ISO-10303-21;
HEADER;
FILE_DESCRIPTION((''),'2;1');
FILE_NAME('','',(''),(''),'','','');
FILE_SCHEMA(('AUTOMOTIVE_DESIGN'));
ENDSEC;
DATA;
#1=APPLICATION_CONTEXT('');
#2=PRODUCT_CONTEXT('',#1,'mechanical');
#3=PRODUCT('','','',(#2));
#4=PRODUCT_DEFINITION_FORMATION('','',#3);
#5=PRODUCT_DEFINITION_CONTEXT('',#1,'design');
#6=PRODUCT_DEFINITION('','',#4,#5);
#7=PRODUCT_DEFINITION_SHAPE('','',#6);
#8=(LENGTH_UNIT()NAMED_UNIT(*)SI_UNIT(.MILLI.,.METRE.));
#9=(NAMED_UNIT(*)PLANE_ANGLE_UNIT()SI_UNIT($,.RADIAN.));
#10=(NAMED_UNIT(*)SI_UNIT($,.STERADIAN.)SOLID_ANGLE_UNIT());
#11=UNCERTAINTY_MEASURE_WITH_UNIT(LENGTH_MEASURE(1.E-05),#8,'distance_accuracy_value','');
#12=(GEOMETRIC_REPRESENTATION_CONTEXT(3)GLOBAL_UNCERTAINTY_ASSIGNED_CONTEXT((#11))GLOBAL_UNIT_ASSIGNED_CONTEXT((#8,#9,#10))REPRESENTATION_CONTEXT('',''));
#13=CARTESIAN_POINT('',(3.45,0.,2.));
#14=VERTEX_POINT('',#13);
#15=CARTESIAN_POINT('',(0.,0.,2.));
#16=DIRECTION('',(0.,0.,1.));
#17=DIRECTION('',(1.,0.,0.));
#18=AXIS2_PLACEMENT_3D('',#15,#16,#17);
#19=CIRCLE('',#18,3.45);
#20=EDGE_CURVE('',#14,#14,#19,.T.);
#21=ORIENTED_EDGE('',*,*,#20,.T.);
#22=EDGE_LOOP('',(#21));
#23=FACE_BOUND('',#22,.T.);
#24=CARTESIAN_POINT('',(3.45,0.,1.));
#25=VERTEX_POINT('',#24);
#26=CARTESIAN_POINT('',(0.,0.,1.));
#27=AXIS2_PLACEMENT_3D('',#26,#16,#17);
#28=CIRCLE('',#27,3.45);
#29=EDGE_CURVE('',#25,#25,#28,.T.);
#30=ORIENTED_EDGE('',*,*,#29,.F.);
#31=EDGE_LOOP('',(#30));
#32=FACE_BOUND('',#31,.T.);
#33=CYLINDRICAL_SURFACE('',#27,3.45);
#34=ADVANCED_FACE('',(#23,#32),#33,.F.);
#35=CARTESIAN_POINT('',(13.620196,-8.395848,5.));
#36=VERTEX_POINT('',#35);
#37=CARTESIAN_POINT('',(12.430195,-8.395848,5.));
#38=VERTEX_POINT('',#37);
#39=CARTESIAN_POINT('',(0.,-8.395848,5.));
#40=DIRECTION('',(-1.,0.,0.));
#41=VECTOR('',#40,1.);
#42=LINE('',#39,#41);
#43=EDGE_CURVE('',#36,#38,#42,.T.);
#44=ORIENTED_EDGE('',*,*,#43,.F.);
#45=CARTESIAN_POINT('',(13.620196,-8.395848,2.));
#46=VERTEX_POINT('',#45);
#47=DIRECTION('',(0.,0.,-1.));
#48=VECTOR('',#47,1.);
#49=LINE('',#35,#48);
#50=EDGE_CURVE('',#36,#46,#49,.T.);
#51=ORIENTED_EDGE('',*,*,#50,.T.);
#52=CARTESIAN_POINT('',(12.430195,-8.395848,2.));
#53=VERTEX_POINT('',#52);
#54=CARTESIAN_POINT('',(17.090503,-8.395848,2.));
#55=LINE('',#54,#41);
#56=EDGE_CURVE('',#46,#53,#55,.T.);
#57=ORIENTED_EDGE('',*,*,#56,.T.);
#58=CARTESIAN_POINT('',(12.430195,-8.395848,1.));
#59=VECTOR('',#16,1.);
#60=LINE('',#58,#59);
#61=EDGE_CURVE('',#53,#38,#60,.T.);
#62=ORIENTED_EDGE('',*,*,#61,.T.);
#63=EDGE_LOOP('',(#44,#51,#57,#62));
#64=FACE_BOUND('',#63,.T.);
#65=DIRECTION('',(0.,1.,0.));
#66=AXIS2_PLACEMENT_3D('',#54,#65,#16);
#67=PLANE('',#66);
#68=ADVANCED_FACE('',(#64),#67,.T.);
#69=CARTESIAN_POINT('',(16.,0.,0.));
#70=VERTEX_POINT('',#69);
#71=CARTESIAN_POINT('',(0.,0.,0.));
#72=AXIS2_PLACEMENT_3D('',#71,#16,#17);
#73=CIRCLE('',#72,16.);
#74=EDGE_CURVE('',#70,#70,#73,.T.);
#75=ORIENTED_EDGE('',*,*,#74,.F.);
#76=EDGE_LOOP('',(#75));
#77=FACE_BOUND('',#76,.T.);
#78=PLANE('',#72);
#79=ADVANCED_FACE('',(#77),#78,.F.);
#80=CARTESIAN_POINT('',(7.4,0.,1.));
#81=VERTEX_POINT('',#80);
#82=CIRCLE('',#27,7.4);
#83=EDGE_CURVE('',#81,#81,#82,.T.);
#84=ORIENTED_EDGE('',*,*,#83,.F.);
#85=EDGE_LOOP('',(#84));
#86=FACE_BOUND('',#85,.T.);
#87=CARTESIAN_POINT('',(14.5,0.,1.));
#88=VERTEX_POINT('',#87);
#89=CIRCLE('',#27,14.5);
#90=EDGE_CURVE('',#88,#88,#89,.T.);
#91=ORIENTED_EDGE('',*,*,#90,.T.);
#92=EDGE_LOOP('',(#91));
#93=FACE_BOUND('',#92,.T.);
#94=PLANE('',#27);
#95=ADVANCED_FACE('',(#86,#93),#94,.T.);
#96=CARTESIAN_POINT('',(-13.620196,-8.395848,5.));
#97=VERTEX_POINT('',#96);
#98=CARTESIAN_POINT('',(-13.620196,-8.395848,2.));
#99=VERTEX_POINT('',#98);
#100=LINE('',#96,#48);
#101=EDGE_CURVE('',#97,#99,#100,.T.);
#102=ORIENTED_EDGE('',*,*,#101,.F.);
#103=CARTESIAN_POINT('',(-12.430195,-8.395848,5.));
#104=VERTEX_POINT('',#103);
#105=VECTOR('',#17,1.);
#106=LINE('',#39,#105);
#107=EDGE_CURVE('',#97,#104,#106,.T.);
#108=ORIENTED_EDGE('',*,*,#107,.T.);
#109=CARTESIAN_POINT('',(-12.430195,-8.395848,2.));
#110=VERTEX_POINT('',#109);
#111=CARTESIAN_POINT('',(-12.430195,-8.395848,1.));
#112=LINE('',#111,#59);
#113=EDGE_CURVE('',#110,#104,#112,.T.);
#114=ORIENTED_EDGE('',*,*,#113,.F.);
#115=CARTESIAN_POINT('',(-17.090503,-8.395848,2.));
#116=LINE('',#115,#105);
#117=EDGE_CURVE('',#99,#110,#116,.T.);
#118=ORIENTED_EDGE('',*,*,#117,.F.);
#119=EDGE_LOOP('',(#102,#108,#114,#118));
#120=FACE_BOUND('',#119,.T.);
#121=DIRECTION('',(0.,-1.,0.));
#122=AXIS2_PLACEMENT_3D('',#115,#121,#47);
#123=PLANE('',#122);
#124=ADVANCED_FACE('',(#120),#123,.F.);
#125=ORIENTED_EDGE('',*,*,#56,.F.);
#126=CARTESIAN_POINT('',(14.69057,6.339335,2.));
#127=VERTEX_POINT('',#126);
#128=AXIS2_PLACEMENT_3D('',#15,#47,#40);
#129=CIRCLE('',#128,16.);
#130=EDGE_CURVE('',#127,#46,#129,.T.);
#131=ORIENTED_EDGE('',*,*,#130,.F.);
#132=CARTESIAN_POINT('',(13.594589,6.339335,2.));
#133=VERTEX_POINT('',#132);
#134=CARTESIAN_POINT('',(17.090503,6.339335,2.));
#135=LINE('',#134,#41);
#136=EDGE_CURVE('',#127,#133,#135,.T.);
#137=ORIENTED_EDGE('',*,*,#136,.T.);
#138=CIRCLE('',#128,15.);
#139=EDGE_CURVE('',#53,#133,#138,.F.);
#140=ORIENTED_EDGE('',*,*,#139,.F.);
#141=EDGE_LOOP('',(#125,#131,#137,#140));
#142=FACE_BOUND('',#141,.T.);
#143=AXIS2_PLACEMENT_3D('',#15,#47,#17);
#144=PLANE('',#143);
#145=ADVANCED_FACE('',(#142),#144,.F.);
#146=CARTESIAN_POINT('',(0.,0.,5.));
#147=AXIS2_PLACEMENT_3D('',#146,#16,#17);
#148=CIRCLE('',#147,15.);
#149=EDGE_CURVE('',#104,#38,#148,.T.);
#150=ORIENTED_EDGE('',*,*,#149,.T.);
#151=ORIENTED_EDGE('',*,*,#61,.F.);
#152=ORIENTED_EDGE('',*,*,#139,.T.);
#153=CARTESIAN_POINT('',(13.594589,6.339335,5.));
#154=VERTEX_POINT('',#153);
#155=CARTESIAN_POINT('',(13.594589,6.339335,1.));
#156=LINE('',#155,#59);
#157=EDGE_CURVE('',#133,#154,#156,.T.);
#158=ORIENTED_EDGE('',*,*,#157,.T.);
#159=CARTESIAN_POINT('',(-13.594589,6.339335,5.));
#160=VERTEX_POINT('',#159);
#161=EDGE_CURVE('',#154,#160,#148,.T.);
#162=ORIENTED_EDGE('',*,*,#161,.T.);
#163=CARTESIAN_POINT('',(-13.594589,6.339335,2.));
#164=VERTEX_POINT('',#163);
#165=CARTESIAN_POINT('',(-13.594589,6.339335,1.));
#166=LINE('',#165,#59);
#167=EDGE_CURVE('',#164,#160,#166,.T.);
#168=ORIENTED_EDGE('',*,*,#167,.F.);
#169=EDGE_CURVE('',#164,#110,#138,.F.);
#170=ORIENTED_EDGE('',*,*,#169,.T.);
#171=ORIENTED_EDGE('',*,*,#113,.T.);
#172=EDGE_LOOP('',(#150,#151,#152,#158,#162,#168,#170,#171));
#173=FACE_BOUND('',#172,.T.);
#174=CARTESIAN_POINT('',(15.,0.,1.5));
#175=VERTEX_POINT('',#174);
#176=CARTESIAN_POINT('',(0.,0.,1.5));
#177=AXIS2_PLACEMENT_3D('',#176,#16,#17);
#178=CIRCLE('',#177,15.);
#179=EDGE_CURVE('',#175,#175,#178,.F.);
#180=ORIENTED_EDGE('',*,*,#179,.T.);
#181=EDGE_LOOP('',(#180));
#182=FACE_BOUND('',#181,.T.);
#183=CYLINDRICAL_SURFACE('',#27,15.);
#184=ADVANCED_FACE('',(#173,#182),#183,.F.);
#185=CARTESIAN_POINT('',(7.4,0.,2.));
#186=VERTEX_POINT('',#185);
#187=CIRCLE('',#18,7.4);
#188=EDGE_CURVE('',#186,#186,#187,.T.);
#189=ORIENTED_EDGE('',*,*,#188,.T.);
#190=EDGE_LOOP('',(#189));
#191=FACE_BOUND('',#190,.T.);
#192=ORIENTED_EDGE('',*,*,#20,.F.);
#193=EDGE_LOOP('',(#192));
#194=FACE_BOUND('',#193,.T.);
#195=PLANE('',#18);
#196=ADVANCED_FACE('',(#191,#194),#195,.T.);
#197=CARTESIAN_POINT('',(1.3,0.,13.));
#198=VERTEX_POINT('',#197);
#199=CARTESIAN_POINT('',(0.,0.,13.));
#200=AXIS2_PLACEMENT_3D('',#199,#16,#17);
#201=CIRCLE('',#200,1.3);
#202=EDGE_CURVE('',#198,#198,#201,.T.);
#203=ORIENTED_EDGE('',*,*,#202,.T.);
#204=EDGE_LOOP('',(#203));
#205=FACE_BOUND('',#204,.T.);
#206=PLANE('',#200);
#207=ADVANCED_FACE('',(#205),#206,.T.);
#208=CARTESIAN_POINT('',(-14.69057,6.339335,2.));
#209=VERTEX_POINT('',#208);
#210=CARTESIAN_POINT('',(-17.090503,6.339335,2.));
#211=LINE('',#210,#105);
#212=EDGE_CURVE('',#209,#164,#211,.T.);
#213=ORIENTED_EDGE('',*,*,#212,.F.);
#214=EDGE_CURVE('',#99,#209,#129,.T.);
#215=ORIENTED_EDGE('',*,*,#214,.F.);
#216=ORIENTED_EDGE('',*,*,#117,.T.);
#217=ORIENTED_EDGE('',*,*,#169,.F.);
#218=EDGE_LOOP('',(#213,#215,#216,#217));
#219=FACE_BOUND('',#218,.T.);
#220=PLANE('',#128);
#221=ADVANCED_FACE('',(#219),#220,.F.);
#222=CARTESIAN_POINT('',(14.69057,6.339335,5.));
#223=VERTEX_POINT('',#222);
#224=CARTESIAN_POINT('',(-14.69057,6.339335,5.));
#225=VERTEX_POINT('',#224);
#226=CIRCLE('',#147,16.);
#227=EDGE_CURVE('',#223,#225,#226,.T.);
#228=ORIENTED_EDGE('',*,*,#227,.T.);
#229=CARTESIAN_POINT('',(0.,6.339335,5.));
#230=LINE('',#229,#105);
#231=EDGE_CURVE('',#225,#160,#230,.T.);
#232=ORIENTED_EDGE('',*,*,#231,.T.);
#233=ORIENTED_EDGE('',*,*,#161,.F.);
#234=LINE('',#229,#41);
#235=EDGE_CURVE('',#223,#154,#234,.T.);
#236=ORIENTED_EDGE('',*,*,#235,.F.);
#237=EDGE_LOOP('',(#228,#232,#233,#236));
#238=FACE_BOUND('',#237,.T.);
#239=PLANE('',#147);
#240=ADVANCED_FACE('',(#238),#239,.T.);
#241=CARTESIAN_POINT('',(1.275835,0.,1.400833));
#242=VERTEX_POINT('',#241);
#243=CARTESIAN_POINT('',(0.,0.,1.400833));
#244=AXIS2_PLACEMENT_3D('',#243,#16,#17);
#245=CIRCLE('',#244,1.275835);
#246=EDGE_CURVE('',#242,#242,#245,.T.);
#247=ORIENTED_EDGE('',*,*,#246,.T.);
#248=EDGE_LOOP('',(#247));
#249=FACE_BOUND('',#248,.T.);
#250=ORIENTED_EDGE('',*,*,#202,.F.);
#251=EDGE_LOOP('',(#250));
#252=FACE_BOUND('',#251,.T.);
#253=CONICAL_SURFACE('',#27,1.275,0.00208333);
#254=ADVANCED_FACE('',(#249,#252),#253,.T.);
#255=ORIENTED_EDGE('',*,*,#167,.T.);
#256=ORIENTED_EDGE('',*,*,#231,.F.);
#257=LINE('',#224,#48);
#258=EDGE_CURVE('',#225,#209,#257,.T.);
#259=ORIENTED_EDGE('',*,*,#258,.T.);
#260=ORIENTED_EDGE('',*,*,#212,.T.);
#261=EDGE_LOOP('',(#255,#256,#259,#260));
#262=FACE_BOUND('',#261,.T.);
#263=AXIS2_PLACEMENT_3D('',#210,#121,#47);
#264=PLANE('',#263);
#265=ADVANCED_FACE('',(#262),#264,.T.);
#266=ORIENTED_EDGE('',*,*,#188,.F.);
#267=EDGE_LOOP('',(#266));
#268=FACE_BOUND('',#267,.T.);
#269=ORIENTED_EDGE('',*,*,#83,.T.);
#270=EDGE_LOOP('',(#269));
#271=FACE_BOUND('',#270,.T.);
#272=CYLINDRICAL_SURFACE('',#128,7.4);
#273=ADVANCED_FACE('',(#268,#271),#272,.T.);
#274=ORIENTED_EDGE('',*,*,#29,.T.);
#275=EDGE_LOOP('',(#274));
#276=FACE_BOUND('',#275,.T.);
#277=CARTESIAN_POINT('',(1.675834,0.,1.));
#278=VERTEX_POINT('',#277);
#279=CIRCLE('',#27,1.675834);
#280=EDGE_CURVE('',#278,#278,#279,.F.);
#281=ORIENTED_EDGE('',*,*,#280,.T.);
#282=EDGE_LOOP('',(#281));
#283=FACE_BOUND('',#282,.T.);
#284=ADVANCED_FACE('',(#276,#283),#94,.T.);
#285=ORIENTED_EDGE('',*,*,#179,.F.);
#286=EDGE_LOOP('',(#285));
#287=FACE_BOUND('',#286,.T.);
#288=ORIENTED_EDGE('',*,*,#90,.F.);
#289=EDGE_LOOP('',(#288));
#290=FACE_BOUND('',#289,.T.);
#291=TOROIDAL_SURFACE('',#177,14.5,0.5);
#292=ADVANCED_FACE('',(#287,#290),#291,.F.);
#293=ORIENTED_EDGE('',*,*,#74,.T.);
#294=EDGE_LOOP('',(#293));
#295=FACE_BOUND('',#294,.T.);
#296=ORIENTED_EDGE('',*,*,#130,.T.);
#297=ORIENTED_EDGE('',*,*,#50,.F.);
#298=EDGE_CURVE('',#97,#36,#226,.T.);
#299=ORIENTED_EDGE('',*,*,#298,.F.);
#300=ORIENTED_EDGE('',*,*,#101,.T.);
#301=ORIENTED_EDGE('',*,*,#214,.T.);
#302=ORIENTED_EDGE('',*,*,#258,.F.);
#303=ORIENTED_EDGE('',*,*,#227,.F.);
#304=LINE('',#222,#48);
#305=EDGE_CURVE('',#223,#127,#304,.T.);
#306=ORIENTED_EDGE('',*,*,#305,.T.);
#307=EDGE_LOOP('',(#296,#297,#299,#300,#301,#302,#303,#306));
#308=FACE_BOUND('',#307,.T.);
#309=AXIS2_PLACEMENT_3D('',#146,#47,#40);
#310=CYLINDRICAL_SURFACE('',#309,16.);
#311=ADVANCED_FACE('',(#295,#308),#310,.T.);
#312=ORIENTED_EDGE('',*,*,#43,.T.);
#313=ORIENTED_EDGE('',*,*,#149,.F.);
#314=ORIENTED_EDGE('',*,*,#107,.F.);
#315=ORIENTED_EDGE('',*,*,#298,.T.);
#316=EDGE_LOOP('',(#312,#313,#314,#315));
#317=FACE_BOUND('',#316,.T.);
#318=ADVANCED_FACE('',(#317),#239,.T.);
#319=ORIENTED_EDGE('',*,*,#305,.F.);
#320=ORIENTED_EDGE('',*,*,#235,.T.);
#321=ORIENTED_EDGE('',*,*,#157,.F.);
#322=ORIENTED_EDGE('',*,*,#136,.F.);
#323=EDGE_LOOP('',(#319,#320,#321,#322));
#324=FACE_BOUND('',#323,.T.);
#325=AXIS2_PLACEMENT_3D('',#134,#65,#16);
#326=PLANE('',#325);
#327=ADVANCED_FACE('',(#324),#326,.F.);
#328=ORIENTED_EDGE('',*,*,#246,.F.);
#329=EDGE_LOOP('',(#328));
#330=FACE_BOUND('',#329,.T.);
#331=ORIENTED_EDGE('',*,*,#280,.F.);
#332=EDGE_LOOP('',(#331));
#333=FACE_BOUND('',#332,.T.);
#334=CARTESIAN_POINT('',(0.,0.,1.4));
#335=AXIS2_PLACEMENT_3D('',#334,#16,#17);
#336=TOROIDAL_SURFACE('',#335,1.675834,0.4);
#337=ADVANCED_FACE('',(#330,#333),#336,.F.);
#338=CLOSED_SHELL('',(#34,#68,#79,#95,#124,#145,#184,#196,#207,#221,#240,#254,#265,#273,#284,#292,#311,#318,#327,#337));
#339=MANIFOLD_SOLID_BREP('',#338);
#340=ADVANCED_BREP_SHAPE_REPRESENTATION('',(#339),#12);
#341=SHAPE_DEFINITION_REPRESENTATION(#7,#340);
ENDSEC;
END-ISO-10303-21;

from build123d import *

# Parameters (mm, degrees)
SKETCH1_R           = 16
BOSS_EXTRUDE1_DEPTH = 5
SKETCH3_R           = 15
CUT_EXTRUDE1_DEPTH  = 4
FILLET1_R           = 0.5
SKETCH7_W           = 5.268501054
SKETCH7_H           = 14.735182388
CUT_EXTRUDE2_DEPTH  = 11
SKETCH8_R           = 7.4
BOSS_EXTRUDE2_DEPTH = 1
SKETCH9_R           = 3.45
CUT_EXTRUDE3_DEPTH  = 1
SKETCH5_R           = 1.275
SKETCH6_R           = 1.3
FILLET3_R           = 0.4


with BuildPart() as part:
    # Sketch1 → Boss-Extrude1 (new body)
    with BuildSketch(Plane.XY):
        Circle(SKETCH1_R)
    extrude(amount=BOSS_EXTRUDE1_DEPTH)

    # Sketch3 → Cut-Extrude1 (cut)
    with BuildSketch(Plane.XY.offset(5)):
        Circle(SKETCH3_R)
    extrude(amount=-CUT_EXTRUDE1_DEPTH, mode=Mode.SUBTRACT)

    # Fillet1
    fillet1_edges = [part.edges().sort_by_distance(p)[0] for p in [
        (-15, 0, 1),
    ]]
    fillet(fillet1_edges, radius=FILLET1_R)

    # Sketch7 → Cut-Extrude2 (cut)
    with BuildSketch(Plane.XY.offset(13)):
        with Locations((-14.456252894, -1.028256592)):
            Rectangle(SKETCH7_W, SKETCH7_H)
    cut_extrude2 = extrude(amount=-CUT_EXTRUDE2_DEPTH, mode=Mode.SUBTRACT)

    # Mirror1: Cut-Extrude2 across plane
    add(cut_extrude2.mirror(Plane(origin=(0, 0, 0), x_dir=(0, 0, 1), z_dir=(1, 0, 0))), mode=Mode.SUBTRACT)

    # Sketch8 → Boss-Extrude2 (add)
    with BuildSketch(Plane.XY.offset(1)):
        Circle(SKETCH8_R)
    extrude(amount=BOSS_EXTRUDE2_DEPTH)

    # Sketch9 → Cut-Extrude3 (cut)
    with BuildSketch(Plane.XY.offset(2)):
        Circle(SKETCH9_R)
    extrude(amount=-CUT_EXTRUDE3_DEPTH, mode=Mode.SUBTRACT)

    # Sketch5 → Loft1 section 0
    with BuildSketch(Plane.XY.offset(1)):
        Circle(SKETCH5_R)
    # Sketch6 → Loft1 section 1
    with BuildSketch(Plane.XY.offset(13)):
        Circle(SKETCH6_R)
    loft()

    # Fillet3
    fillet3_edges = [part.edges().sort_by_distance(p)[0] for p in [
        (-1.275, 0, 1),
    ]]
    fillet(fillet3_edges, radius=FILLET3_R)


solid = part.part
